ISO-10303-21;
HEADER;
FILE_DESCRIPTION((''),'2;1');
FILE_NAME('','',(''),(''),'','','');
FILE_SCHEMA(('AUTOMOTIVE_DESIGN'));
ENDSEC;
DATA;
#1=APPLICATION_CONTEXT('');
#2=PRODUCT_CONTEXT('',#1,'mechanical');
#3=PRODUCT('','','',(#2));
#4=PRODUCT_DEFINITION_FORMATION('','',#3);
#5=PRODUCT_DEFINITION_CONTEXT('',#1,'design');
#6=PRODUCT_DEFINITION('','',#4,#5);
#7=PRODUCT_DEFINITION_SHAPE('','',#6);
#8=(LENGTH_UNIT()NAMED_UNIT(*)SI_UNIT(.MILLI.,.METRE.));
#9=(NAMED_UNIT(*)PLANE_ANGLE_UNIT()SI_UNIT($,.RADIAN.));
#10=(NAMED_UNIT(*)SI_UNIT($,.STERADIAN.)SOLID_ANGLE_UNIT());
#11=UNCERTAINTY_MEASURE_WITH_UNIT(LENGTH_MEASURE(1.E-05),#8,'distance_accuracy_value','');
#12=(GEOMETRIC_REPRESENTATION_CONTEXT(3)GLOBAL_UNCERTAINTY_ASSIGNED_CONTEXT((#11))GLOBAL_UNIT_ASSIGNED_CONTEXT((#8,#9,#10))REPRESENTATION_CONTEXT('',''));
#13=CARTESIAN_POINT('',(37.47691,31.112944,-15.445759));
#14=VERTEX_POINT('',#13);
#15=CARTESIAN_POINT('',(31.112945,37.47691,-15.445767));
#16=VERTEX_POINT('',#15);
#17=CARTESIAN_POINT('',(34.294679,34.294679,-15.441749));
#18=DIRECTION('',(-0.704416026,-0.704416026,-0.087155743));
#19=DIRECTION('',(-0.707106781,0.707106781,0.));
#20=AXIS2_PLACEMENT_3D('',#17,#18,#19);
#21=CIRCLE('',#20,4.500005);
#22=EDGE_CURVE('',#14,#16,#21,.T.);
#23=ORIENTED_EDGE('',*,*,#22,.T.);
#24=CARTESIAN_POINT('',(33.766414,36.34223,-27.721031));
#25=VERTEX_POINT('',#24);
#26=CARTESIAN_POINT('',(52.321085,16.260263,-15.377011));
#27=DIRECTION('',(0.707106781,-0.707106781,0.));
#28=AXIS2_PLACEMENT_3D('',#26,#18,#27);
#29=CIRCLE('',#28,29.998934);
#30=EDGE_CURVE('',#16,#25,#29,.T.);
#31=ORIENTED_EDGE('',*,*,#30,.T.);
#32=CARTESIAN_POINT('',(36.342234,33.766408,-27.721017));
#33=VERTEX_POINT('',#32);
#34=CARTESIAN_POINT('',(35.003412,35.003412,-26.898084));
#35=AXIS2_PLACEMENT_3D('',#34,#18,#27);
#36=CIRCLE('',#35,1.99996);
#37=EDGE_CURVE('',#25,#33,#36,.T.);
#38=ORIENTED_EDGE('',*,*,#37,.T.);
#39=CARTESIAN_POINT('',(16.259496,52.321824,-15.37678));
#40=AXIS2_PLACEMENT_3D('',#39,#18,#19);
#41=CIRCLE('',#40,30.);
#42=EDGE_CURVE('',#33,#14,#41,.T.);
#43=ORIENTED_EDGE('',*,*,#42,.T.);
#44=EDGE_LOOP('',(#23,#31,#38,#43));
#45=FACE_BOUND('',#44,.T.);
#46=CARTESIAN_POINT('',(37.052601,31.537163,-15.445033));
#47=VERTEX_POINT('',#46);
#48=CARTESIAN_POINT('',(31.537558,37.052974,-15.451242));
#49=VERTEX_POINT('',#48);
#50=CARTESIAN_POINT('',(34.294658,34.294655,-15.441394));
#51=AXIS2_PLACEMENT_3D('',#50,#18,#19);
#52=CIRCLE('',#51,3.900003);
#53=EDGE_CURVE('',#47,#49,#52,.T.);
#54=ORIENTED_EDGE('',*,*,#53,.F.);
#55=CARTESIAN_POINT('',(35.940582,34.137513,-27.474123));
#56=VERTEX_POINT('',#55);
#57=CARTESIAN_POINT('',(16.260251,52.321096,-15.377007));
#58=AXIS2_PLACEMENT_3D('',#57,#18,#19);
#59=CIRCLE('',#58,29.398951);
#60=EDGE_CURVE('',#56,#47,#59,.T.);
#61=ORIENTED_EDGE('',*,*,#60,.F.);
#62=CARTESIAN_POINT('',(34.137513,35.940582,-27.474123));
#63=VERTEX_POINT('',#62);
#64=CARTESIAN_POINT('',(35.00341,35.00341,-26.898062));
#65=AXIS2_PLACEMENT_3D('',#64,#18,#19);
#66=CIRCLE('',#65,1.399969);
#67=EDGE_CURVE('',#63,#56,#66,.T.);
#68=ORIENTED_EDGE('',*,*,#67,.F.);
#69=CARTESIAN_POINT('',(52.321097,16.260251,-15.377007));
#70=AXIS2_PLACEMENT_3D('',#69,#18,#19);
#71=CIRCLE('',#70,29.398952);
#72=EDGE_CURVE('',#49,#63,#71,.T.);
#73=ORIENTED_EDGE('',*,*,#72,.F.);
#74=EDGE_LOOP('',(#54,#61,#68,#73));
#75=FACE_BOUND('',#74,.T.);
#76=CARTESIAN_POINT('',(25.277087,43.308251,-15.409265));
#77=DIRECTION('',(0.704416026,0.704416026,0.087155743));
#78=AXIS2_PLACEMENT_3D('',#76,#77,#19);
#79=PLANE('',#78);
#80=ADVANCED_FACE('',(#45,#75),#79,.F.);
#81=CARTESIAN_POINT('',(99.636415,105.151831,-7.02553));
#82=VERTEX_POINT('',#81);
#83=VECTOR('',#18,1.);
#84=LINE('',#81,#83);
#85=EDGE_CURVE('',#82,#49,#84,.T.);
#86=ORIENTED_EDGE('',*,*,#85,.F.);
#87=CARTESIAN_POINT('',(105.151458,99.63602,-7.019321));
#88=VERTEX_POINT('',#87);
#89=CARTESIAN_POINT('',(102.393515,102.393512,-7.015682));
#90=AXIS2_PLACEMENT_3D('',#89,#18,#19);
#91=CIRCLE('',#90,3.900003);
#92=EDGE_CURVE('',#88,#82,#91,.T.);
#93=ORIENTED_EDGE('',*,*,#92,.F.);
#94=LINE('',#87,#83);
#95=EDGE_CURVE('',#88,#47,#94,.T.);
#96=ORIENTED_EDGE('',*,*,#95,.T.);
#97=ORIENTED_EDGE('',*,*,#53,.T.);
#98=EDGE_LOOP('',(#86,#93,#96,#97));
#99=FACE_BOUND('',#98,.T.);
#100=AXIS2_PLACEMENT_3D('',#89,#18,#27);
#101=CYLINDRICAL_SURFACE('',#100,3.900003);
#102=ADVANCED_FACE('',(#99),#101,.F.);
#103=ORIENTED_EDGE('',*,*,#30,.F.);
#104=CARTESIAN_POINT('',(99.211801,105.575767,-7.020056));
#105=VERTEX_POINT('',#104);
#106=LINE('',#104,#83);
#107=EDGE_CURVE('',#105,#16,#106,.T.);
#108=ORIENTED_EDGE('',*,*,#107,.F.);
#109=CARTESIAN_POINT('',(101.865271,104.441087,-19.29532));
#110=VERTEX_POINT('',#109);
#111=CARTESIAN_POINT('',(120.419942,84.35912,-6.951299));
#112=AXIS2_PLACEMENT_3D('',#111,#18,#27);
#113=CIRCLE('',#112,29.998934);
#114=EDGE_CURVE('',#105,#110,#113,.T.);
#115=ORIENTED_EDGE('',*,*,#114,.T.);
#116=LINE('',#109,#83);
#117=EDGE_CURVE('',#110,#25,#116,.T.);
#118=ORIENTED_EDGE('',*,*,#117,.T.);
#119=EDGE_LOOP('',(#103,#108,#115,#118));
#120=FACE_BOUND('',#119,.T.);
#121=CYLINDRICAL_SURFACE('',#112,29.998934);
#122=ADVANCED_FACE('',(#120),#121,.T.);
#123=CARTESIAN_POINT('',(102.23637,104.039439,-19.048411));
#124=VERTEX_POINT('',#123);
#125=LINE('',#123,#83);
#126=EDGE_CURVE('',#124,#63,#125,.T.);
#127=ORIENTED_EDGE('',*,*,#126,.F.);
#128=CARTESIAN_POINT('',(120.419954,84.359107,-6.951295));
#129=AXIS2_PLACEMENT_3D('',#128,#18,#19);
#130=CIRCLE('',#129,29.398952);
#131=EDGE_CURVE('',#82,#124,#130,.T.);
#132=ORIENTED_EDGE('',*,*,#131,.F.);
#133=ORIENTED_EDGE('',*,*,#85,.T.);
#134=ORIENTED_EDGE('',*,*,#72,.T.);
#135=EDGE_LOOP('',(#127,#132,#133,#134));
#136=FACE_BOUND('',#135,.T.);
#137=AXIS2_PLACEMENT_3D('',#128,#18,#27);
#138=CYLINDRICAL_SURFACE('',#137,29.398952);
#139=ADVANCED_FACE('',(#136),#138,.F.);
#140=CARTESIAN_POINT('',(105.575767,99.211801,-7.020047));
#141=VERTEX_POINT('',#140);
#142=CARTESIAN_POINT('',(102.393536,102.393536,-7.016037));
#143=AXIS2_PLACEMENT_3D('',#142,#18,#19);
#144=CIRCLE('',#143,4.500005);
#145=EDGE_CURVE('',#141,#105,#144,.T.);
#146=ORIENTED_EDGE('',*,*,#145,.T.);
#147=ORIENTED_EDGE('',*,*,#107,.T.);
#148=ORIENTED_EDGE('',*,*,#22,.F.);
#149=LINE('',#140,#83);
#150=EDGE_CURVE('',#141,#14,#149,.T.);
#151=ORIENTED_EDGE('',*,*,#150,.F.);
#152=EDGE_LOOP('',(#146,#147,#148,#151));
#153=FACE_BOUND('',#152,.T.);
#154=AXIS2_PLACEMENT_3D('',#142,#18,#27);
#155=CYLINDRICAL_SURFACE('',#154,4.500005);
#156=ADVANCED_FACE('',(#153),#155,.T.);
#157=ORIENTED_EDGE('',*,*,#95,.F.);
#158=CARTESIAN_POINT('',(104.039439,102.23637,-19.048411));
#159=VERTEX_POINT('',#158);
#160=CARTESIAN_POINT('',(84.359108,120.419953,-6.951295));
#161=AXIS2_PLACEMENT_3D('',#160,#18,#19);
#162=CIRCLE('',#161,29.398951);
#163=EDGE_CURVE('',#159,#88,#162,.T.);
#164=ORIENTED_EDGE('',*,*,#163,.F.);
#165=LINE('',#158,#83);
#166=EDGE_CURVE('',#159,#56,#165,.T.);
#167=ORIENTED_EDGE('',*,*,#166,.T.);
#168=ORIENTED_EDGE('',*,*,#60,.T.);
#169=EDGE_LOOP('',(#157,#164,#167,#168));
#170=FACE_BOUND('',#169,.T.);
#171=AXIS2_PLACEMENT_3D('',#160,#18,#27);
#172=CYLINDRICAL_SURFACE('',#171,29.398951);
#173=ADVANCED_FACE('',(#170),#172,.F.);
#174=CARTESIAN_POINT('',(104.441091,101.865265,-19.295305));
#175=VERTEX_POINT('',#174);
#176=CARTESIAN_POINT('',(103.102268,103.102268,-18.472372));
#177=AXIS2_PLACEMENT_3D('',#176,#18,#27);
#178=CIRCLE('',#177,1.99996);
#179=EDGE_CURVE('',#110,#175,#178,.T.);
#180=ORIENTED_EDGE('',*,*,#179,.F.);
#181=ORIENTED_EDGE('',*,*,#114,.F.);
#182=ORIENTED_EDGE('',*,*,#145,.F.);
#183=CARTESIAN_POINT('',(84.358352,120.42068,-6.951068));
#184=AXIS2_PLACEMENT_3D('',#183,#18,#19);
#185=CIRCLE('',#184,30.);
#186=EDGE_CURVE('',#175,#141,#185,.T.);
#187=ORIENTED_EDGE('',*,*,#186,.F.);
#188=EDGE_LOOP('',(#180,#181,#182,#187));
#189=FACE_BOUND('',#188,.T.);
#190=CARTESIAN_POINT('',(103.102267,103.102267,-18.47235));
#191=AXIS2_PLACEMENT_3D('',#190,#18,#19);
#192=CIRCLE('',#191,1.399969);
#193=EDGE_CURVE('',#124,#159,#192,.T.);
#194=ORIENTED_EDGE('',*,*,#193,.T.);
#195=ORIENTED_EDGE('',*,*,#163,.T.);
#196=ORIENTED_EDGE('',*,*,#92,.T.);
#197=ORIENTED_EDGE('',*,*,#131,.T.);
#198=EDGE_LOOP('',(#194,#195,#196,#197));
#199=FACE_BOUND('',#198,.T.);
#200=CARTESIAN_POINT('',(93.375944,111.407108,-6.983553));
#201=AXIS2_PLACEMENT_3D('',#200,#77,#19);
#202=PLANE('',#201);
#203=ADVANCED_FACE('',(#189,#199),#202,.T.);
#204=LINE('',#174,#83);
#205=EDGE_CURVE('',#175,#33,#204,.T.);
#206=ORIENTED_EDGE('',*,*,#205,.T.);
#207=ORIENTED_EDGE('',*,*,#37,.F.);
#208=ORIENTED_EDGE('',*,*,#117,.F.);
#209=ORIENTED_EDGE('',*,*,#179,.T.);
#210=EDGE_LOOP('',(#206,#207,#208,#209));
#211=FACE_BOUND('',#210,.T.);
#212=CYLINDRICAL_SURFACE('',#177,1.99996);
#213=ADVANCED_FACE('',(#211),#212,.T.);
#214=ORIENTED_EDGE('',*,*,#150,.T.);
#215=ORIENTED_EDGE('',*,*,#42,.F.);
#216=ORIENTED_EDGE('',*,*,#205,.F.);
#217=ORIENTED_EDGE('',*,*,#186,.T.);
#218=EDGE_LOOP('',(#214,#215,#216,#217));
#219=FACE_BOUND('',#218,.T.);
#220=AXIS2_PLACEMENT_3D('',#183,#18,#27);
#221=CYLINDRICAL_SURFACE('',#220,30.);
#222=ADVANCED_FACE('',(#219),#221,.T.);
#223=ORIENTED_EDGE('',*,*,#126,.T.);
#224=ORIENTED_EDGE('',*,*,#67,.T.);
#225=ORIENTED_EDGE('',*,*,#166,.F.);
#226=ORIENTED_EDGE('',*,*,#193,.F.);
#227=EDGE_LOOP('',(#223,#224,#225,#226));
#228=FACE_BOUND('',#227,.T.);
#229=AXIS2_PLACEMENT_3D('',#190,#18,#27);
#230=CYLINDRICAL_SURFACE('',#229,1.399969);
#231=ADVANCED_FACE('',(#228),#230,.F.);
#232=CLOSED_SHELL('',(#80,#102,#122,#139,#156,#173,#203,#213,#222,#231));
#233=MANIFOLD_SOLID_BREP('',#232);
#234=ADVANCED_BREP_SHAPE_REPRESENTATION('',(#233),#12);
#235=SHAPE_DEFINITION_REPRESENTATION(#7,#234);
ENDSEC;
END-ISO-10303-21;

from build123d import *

# Parameters (mm, degrees)
BOSS_EXTRUDE1_DEPTH = 96.674201326


with BuildPart() as part:
    # Sketch1 → Boss-Extrude1 (new body)
    with BuildSketch(Plane(origin=(33.08614304, 33.08614304, 4.093670875), x_dir=(0.707106781, -0.707106781, 0), z_dir=(-0.704416026, -0.704416026, -0.087155743))):
        with BuildLine():
            ThreePointArc((-4.50000347, -19.614075699), (-3.815448832, -25.917485875), (-1.82137714, -31.936229348))
            ThreePointArc((-1.82137714, -31.936229348), (8.178e-06, -33.110098509), (1.821383894, -31.936214448))
            ThreePointArc((1.821383894, -31.936214448), (3.815427721, -25.917468388), (4.50000349, -19.614066852))
            ThreePointArc((4.50000349, -19.614066852), (-4.417e-06, -15.110036834), (-4.50000347, -19.614075699))
        make_face()
        with BuildLine():
            ThreePointArc((1.274961922, -31.68837775), (-8e-09, -32.510085588), (-1.274961931, -31.688377739))
            ThreePointArc((-1.274961931, -31.688377739), (-3.22841338, -25.793381652), (-3.8999884, -19.619570962))
            ThreePointArc((-3.8999884, -19.619570962), (-0.003114143, -15.70968365), (3.900003566, -19.613338337))
            ThreePointArc((3.900003566, -19.613338337), (3.229075576, -25.790336504), (1.274961922, -31.68837775))
        make_face(mode=Mode.SUBTRACT)
    extrude(amount=-BOSS_EXTRUDE1_DEPTH)


solid = part.part
